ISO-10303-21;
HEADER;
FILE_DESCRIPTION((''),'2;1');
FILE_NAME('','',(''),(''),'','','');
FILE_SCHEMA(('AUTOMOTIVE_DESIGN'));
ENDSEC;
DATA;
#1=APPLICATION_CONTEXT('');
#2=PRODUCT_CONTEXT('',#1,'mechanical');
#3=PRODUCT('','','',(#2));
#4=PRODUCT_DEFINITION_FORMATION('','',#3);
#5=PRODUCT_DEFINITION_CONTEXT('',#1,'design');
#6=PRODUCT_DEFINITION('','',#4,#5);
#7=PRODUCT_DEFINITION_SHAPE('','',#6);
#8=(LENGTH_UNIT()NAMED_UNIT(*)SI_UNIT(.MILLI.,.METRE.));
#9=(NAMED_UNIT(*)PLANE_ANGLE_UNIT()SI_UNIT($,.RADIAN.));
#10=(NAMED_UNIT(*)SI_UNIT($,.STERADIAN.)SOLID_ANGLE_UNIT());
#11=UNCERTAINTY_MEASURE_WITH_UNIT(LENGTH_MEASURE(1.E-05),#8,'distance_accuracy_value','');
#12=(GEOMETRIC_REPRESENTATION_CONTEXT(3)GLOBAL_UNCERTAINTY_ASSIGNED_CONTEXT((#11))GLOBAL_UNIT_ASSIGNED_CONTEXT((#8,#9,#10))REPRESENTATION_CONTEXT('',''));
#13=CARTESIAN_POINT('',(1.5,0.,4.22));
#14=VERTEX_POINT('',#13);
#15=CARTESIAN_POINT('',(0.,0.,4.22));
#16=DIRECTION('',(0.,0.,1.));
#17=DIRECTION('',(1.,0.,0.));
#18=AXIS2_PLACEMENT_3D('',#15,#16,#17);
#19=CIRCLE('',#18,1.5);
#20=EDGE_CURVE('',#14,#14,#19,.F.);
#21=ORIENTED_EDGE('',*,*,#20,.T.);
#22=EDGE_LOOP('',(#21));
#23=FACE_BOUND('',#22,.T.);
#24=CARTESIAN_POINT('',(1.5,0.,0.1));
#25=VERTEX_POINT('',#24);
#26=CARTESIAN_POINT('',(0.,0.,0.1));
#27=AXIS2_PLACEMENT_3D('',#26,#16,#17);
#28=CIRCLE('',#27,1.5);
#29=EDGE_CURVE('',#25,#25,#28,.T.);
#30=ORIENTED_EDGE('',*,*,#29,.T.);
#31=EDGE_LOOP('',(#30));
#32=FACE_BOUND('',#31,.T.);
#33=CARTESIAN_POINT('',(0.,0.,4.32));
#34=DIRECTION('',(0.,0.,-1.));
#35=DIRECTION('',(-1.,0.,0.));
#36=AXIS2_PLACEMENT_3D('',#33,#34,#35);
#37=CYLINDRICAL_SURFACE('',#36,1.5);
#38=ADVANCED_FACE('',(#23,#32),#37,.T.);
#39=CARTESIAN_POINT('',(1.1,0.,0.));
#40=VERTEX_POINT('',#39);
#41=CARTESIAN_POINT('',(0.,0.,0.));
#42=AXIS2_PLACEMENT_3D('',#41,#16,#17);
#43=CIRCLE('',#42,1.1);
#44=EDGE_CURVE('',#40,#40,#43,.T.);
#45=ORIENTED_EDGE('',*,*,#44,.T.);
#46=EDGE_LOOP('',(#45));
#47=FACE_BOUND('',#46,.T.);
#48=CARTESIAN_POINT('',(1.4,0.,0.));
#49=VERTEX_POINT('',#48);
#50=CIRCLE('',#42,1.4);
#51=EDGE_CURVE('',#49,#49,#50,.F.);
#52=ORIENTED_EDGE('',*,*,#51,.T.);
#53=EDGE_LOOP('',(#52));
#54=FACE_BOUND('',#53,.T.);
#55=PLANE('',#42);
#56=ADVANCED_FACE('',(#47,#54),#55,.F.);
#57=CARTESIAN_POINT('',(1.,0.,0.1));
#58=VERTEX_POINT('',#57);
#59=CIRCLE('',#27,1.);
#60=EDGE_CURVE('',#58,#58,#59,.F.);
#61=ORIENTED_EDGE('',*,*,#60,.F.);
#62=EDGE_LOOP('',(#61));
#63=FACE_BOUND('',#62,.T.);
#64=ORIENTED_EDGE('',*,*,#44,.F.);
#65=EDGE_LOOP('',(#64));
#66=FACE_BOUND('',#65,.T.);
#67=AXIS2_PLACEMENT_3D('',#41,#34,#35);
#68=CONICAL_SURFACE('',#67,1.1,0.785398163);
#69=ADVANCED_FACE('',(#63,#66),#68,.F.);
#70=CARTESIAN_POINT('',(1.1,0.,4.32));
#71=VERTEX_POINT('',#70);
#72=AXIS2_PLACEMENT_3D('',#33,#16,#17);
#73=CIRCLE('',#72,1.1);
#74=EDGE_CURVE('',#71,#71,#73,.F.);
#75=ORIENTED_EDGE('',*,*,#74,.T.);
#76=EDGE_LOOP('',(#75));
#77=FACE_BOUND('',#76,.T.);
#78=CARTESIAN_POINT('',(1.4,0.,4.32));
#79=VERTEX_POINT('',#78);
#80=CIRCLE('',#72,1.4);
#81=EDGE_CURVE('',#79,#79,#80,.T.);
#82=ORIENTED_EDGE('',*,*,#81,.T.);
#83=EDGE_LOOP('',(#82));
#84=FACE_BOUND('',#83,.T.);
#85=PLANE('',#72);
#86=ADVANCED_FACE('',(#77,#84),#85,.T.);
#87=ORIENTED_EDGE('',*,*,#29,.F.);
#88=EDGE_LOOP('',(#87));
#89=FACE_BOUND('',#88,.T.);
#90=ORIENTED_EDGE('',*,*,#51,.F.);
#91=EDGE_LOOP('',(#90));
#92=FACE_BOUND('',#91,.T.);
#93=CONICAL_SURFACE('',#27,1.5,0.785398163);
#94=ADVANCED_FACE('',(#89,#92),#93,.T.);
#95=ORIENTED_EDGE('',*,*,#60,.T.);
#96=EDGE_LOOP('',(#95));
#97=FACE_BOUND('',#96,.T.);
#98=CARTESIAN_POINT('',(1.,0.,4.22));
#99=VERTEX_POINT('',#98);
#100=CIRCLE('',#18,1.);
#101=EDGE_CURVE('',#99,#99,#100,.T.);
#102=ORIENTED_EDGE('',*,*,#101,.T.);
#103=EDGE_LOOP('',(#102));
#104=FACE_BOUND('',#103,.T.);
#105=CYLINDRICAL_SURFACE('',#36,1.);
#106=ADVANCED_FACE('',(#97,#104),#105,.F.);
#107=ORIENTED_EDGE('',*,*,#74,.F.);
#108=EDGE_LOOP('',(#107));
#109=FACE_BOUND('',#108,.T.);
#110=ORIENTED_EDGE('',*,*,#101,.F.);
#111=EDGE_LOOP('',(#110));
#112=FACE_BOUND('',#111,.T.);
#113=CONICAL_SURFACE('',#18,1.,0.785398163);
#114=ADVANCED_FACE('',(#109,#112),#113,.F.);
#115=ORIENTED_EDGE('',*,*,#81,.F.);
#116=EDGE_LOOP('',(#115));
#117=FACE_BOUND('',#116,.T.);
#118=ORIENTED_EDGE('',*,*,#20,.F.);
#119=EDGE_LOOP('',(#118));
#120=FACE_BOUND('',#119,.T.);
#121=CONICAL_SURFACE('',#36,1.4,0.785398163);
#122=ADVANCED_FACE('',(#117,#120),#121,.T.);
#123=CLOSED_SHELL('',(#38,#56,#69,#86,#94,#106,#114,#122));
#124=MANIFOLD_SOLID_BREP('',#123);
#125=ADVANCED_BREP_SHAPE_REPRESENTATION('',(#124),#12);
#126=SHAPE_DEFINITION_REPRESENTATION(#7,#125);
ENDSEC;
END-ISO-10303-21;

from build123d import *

# Parameters (mm, degrees)
SKIZZE1_R                       = 1.5
SKIZZE1_R_2                     = 1
AUFSATZ_LINEAR_AUSTRAGEN1_DEPTH = 4.32
FASE1_SIZE                      = 0.1


with BuildPart() as part:
    # Skizze1 → Aufsatz-Linear austragen1 (new body)
    with BuildSketch(Plane.XY):
        Circle(SKIZZE1_R)
        Circle(SKIZZE1_R_2, mode=Mode.SUBTRACT)
    extrude(amount=AUFSATZ_LINEAR_AUSTRAGEN1_DEPTH)

    # Fase1
    fase1_edges = [part.edges().sort_by_distance(p)[0] for p in [
        (-1.5, 0, 0),
        (-1.5, 0, 4.32),
        (-1, 0, 0),
        (-1, 0, 4.32),
    ]]
    chamfer(fase1_edges, length=FASE1_SIZE)


solid = part.part
